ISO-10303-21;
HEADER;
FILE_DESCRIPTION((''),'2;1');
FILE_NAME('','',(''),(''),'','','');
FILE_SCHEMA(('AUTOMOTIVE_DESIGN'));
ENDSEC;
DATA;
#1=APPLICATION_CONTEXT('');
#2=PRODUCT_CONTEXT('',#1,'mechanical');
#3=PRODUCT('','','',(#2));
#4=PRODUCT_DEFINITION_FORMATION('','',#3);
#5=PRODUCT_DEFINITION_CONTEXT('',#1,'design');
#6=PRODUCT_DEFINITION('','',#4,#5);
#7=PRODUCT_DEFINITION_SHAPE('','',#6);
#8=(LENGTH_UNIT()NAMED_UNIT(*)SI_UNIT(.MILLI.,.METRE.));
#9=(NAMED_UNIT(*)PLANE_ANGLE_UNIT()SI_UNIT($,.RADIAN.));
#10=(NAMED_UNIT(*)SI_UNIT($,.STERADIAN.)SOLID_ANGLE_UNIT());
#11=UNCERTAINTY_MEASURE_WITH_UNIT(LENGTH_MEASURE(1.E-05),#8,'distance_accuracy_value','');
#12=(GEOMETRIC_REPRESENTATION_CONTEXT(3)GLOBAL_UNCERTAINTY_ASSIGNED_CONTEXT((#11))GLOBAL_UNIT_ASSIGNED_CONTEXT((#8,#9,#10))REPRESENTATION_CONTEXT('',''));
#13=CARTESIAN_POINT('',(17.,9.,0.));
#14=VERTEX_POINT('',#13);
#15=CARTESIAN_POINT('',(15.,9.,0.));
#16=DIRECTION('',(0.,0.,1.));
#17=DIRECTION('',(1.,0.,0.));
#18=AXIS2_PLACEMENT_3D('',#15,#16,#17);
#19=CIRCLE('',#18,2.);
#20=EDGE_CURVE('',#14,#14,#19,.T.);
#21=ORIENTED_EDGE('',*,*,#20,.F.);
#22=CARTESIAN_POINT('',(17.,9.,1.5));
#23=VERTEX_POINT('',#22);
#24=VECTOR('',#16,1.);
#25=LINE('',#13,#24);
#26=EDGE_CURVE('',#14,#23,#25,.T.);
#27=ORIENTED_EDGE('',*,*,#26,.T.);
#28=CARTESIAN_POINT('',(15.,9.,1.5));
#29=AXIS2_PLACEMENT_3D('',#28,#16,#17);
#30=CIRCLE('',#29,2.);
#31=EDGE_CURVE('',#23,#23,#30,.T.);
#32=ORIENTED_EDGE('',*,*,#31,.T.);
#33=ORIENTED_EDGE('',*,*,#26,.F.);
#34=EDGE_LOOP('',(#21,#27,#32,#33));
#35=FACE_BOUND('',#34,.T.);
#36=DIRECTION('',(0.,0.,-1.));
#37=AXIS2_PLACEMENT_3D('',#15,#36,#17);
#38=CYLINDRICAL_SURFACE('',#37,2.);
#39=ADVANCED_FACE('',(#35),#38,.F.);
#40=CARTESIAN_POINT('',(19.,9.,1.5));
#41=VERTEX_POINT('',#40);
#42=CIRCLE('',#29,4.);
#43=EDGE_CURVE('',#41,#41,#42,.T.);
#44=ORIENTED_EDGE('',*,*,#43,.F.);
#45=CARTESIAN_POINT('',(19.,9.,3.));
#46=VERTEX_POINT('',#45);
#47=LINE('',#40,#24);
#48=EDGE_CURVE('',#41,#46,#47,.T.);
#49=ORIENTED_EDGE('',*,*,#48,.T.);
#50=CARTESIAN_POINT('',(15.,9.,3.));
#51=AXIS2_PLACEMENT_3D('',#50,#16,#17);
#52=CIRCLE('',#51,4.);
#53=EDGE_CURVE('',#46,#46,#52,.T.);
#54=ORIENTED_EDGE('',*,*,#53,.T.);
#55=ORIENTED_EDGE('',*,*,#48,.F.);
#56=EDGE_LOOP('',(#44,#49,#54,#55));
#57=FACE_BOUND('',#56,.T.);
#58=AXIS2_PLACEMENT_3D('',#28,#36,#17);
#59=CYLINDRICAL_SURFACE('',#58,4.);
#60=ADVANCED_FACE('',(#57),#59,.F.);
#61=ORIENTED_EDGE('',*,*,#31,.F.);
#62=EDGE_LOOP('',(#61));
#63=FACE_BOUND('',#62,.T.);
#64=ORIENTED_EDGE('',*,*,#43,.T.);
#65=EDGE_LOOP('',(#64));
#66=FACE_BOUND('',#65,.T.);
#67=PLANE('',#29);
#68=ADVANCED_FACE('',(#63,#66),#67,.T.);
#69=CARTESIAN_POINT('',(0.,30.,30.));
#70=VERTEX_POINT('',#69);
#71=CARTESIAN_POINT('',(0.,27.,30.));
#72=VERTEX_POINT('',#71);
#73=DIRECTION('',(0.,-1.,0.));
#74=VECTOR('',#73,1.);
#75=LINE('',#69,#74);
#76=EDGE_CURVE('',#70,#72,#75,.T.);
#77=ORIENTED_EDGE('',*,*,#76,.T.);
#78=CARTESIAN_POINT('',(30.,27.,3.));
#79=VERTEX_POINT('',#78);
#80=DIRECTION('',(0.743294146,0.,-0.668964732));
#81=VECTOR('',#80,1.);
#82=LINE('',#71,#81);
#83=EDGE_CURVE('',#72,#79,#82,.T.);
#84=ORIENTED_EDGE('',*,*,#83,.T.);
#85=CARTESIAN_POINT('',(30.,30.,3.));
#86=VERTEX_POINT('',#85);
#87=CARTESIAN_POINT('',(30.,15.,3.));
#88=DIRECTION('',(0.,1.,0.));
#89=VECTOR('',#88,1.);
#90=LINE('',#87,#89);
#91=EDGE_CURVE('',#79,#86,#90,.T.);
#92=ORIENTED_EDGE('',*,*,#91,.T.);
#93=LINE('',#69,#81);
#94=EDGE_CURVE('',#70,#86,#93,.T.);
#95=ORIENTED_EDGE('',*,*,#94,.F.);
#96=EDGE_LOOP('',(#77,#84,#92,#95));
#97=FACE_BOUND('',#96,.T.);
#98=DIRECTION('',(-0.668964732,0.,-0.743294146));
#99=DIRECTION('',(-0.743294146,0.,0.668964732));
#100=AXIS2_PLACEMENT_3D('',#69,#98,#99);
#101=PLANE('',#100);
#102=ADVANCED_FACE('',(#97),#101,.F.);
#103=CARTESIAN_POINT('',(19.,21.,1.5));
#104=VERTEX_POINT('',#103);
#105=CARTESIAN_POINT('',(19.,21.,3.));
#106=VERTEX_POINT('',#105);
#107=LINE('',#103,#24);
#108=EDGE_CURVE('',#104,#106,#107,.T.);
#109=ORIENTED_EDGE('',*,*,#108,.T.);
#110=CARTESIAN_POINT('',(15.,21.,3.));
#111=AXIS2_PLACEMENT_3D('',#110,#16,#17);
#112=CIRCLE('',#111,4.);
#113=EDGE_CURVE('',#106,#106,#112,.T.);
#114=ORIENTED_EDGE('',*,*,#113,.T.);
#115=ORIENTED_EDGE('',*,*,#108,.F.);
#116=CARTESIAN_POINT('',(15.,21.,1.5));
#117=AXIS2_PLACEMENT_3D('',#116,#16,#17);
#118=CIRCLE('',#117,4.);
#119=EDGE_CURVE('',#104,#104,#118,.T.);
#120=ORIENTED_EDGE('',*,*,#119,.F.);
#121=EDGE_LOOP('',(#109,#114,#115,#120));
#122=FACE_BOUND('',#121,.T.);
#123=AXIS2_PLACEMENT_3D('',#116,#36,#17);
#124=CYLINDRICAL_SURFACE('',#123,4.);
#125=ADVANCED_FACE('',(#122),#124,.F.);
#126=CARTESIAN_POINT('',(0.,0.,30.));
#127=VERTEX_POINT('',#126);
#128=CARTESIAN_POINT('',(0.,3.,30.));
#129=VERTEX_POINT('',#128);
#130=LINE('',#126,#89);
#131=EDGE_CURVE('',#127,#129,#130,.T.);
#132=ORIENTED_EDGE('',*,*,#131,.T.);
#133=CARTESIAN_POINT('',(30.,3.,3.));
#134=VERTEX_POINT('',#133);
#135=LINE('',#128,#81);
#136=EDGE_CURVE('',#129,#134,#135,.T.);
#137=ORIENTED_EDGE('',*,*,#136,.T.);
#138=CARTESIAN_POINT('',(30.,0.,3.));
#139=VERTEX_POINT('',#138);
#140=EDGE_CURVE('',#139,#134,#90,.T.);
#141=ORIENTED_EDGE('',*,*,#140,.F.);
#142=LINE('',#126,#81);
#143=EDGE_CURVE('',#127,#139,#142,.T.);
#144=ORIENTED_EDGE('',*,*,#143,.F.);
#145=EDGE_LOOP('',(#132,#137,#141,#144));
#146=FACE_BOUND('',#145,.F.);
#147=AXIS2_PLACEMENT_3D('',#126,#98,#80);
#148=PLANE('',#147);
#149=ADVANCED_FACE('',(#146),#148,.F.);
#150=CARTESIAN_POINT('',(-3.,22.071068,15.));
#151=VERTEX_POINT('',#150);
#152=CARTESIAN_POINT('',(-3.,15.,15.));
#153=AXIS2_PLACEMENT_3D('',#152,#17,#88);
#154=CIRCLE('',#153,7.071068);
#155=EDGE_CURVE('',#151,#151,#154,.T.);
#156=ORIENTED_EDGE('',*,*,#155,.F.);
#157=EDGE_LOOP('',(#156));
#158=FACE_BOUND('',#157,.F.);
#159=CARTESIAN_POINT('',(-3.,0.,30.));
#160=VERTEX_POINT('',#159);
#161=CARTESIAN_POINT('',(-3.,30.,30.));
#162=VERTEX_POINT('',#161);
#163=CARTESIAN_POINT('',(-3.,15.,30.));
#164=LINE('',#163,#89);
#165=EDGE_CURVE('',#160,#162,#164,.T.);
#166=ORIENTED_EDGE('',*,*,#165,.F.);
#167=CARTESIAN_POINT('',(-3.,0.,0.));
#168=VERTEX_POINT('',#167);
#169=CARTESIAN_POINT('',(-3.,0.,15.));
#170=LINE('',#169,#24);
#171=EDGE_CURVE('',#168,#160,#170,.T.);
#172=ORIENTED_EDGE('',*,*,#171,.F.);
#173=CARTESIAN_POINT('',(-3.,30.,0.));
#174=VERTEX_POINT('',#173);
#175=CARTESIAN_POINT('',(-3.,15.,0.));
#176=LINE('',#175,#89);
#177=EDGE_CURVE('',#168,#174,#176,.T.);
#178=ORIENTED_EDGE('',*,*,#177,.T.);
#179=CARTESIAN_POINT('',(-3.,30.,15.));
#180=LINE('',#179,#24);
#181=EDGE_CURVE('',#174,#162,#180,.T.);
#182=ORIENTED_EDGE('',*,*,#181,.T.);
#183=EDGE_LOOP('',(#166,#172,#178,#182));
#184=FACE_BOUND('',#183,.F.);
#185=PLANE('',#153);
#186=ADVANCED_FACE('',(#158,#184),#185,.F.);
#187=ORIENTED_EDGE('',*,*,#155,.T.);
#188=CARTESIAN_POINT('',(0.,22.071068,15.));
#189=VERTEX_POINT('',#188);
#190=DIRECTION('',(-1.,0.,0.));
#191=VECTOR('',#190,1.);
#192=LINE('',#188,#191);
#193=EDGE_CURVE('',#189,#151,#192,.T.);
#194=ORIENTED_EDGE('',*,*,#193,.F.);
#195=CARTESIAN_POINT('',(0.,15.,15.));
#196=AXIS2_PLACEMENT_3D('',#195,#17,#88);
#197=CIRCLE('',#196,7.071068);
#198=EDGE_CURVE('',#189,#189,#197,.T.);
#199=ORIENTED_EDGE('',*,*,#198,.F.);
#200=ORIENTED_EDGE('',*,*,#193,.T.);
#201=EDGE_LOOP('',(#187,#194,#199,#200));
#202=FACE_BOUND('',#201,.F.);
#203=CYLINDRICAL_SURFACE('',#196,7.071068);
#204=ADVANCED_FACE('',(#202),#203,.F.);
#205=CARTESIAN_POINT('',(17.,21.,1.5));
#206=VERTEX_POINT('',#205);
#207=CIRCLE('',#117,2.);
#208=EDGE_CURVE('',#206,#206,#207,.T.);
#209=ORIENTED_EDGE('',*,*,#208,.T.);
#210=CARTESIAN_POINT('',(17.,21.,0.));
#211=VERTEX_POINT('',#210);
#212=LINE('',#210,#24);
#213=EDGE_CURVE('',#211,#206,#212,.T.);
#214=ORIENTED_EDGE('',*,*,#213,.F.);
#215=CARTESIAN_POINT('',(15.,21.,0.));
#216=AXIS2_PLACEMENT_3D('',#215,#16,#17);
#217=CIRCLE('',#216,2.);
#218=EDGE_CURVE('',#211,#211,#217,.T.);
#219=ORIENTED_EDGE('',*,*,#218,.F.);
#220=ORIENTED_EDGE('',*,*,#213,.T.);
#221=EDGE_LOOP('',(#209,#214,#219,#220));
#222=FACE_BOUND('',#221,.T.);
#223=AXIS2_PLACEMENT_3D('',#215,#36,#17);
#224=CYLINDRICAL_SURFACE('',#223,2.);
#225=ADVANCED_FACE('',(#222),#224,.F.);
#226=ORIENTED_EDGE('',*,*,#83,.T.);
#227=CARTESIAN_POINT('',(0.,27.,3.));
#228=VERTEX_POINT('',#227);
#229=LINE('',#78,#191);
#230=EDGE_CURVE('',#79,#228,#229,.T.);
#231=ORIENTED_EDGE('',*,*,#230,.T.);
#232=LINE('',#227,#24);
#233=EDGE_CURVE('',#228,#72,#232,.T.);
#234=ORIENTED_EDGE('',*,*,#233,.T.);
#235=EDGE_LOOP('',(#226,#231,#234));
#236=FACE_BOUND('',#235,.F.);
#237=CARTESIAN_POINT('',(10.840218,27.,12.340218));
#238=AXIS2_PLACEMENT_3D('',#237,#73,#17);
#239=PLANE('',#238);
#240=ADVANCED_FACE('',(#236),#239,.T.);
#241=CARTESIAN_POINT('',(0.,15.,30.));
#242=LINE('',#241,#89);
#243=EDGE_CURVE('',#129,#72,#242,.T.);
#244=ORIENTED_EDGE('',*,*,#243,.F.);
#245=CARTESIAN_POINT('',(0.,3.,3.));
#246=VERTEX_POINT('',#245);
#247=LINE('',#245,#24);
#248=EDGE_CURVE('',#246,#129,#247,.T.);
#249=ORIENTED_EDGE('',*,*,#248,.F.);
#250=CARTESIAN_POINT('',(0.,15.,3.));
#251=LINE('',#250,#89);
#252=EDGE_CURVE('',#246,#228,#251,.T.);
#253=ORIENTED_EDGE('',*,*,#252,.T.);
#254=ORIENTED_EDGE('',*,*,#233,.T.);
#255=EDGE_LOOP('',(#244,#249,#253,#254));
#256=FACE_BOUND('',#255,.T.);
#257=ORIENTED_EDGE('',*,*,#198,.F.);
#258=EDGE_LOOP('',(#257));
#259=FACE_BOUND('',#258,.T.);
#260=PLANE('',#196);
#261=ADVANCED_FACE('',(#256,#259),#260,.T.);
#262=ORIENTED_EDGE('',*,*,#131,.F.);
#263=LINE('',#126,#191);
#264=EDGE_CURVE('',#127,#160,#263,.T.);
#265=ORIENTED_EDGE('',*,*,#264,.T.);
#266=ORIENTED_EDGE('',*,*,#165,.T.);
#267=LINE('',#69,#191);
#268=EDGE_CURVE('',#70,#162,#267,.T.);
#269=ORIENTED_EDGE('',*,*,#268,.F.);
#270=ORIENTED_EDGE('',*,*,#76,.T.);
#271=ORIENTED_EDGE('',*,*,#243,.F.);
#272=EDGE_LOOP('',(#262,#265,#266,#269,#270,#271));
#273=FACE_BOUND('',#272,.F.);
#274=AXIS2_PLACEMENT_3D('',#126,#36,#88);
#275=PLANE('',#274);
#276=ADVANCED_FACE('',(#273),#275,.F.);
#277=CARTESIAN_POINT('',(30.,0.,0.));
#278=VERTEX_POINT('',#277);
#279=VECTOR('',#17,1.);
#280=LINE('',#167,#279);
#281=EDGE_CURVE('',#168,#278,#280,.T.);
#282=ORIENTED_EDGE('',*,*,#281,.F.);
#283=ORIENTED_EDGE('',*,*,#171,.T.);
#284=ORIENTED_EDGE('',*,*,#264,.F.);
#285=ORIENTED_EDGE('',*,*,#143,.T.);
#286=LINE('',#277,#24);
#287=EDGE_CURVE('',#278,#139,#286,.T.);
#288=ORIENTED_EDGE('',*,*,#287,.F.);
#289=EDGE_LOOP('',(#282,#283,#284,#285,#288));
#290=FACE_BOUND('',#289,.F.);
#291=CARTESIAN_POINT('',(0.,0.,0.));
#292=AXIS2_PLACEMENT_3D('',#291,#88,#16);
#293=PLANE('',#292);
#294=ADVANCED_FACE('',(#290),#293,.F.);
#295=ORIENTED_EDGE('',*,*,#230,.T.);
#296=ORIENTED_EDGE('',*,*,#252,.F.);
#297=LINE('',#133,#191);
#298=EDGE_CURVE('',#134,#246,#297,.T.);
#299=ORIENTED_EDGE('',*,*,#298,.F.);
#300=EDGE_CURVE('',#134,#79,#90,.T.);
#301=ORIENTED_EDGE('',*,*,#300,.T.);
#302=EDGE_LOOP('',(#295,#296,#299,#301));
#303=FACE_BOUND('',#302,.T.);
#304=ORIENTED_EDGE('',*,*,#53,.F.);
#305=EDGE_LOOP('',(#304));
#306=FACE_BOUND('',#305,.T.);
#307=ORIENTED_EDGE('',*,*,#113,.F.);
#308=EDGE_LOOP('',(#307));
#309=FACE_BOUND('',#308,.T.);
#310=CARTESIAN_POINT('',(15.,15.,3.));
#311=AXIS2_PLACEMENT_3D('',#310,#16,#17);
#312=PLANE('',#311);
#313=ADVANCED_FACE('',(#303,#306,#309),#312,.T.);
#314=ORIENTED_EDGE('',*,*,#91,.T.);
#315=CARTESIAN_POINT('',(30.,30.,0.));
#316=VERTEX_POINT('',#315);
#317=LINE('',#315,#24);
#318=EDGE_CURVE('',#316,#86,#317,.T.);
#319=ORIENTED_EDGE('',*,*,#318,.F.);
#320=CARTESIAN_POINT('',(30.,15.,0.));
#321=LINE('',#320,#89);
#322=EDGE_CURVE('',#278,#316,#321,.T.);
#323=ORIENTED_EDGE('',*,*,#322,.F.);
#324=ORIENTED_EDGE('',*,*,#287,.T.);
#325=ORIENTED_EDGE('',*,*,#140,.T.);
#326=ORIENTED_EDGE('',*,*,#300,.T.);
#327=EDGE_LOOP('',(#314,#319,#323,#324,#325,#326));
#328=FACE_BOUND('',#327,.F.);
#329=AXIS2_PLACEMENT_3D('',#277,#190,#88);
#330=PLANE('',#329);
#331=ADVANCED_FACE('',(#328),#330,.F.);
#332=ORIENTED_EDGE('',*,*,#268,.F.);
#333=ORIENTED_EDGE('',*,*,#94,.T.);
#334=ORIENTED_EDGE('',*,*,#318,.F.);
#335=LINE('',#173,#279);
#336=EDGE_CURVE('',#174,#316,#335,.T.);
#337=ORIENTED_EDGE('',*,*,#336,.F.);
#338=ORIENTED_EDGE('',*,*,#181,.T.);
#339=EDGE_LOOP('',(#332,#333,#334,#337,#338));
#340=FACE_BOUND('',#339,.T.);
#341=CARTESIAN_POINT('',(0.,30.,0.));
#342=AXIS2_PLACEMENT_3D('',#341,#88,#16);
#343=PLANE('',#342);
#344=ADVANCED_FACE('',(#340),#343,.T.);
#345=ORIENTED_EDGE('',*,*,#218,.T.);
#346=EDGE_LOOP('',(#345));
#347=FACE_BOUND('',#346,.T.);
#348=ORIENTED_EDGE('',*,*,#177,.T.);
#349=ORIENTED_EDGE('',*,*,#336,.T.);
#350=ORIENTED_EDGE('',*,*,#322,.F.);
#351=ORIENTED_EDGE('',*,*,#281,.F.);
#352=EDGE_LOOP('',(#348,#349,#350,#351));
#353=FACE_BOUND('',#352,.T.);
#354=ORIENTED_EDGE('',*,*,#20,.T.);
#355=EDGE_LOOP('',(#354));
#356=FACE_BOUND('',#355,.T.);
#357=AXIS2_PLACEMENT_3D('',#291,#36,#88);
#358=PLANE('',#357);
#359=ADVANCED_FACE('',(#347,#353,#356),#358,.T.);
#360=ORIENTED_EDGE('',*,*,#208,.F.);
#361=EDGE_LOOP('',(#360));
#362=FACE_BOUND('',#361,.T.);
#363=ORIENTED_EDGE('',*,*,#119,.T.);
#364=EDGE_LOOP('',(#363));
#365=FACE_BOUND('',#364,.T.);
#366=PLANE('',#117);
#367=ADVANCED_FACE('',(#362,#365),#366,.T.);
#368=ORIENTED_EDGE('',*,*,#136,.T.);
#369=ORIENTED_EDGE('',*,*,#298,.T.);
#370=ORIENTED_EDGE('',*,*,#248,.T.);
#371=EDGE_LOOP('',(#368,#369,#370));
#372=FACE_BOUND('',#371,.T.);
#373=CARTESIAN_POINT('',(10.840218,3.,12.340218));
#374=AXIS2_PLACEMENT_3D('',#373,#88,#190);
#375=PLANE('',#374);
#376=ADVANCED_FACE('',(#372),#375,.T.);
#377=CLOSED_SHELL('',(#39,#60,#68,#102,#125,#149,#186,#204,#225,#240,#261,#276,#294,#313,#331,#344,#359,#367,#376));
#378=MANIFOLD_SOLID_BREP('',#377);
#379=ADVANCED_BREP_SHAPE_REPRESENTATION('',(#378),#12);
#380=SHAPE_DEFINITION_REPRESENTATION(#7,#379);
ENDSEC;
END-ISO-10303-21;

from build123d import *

# Parameters (mm, degrees)
SKETCH003_R      = 2
EXTRUDE003_DEPTH = 1.5
SKETCH004_R      = 4
EXTRUDE004_DEPTH = 1.5
EXTRUDE001_DEPTH = 3
SKETCH002_W      = 30
SKETCH002_H      = 30
SKETCH002_R      = 7.071068
EXTRUDE002_DEPTH = 3
SKETCH_W         = 30
SKETCH_H         = 30
EXTRUDE_DEPTH    = 3


with BuildPart() as furo:
    # Sketch003 → Extrude003 (new body)
    with BuildSketch(Plane.XY):
        with Locations((15, 21)):
            Circle(SKETCH003_R)
        with Locations((15, 9)):
            Circle(SKETCH003_R)
    extrude(amount=EXTRUDE003_DEPTH)


with BuildPart() as fusion:
    # Sketch004 → Extrude004 (new body)
    with BuildSketch(Plane.XY.offset(1.5)):
        with Locations((15, 21)):
            Circle(SKETCH004_R)
        with Locations((15, 9)):
            Circle(SKETCH004_R)
    extrude(amount=EXTRUDE004_DEPTH)

    # Fusion: union Furo
    add(furo.part)


with BuildPart() as lateral:
    # Sketch001 → Extrude001 (new body)
    with BuildSketch(Plane.XZ):
        Polygon((0, 3), (0, 30), (30, 3), align=None)
    extrude(amount=-EXTRUDE001_DEPTH)


with BuildPart() as lateral_mirrored:
    # mirror: instance of Lateral
    add(lateral.part.mirror(Plane(origin=(30, 15, 0), x_dir=(-1, 0, 0), z_dir=(0, -1, 0))))


with BuildPart() as frontal:
    # Sketch002 → Extrude002 (new body)
    with BuildSketch(Plane.YZ):
        with Locations((15, 15)):
            Rectangle(SKETCH002_W, SKETCH002_H)
        with Locations((15, 15)):
            Circle(SKETCH002_R, mode=Mode.SUBTRACT)
    extrude(amount=-EXTRUDE002_DEPTH)


with BuildPart() as cut:
    # Sketch → Extrude (new body)
    with BuildSketch(Plane.XY):
        with Locations((15, 15)):
            Rectangle(SKETCH_W, SKETCH_H)
    extrude(amount=EXTRUDE_DEPTH)

    # Fusion001: union Lateral (mirrored), Lateral, Frontal
    add(lateral_mirrored.part)
    add(lateral.part)
    add(frontal.part)

    # Cut: cut Fusion
    add(fusion.part, mode=Mode.SUBTRACT)


solid = cut.part
